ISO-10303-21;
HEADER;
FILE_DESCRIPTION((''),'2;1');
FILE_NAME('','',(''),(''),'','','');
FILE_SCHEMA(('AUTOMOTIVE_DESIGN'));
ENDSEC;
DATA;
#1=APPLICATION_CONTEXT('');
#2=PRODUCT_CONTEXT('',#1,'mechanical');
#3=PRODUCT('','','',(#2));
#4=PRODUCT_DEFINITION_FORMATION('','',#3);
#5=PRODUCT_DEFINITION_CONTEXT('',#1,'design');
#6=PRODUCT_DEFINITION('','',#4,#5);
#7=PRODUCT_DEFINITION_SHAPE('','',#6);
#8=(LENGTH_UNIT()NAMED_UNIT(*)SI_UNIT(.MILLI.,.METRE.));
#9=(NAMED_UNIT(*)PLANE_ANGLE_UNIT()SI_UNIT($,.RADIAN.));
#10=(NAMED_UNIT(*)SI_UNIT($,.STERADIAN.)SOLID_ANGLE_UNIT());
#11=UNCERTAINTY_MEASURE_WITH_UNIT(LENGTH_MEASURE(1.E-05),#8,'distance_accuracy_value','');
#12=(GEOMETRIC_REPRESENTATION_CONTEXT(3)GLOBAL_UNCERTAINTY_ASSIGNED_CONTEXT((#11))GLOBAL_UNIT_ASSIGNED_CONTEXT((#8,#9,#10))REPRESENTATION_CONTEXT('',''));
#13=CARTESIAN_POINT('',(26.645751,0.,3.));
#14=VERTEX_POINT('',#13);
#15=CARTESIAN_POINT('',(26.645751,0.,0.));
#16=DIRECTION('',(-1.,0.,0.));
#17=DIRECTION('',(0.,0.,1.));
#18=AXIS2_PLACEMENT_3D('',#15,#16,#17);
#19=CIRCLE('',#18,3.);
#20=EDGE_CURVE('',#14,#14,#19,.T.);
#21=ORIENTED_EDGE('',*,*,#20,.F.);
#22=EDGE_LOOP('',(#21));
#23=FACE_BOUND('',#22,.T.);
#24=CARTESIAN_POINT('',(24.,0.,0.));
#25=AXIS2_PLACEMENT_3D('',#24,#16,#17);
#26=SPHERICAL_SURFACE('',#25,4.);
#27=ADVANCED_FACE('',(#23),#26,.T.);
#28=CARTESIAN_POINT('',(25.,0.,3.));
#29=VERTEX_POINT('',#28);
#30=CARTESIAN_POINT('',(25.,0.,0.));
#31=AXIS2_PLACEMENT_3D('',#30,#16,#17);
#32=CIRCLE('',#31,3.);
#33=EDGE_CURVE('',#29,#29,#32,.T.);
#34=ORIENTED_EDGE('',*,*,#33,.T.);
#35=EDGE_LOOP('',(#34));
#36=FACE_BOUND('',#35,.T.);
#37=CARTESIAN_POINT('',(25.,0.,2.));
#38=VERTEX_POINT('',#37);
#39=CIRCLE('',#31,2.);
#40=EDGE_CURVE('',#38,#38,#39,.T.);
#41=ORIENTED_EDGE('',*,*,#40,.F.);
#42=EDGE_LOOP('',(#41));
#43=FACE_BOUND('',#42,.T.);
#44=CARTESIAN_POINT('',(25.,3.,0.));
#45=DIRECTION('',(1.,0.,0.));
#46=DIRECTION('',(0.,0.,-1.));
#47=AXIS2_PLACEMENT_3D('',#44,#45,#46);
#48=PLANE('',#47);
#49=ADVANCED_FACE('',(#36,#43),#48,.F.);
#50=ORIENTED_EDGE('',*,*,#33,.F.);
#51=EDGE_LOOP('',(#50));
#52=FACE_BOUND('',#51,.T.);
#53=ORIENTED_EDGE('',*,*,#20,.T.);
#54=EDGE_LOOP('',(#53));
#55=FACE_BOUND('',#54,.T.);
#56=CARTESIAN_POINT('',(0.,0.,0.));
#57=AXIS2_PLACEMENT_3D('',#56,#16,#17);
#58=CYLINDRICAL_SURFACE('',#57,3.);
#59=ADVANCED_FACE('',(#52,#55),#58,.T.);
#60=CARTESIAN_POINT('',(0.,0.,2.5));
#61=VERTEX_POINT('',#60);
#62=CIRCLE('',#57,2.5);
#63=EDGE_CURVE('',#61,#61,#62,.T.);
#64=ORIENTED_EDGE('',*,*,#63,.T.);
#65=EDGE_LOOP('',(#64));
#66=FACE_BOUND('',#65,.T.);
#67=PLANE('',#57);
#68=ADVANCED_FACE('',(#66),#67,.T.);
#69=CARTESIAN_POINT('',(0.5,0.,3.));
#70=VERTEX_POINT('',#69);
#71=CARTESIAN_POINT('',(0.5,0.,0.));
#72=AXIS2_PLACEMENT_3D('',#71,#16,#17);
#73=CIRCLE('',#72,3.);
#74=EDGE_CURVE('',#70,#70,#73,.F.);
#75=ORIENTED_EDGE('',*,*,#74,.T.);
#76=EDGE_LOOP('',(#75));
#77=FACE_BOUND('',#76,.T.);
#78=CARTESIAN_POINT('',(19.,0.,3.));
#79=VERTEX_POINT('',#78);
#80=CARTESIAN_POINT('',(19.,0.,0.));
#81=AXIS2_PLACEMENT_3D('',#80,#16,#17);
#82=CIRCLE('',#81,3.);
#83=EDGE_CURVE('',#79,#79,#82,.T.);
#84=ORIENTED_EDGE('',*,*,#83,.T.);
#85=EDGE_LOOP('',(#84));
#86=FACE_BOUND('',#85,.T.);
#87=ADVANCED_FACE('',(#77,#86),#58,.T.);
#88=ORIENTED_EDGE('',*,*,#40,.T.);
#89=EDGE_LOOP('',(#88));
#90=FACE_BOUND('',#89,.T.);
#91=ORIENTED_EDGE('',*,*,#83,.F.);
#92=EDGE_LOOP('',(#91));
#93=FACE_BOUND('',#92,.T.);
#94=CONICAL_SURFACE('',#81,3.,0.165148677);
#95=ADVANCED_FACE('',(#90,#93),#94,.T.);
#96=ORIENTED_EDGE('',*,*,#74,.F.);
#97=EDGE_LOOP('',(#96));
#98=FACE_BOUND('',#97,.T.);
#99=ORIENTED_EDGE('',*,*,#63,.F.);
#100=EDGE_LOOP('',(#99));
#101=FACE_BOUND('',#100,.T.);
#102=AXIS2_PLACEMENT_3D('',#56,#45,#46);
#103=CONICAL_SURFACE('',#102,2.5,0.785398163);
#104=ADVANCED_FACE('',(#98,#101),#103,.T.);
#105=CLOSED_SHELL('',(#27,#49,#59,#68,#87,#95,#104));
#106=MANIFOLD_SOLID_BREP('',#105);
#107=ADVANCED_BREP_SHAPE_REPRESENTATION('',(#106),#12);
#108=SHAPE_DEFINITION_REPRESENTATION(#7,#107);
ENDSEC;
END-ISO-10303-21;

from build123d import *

# Parameters (mm, degrees)
CHANFREIN1_SIZE = 0.5


with BuildPart() as part:
    # Esquisse1 → Base-Révolution (revolve)
    with BuildSketch(Plane.XY, mode=Mode.PRIVATE) as base_r_volution_sk:
        with BuildLine():
            Line((0, 0), (0, 3))
            Line((0, 3), (19, 3))
            Line((19, 3), (25, 2))
            Line((25, 2), (25, 3))
            Line((25, 3), (26.645751311, 3))
            ThreePointArc((26.645751311, 3), (27.645751311, 1.645751311), (28, 0))
            Line((28, 0), (0, 0))
        make_face()
    revolve(base_r_volution_sk.sketch.rotate(Axis((0, 0, 0), (1, 0, 0)), 90), axis=Axis((0, 0, 0), (1, 0, 0)))

    # Chanfrein1
    chanfrein1_edges = [part.edges().sort_by_distance(p)[0] for p in [
        (0, 0, -3),
    ]]
    chamfer(chanfrein1_edges, length=CHANFREIN1_SIZE)


solid = part.part
